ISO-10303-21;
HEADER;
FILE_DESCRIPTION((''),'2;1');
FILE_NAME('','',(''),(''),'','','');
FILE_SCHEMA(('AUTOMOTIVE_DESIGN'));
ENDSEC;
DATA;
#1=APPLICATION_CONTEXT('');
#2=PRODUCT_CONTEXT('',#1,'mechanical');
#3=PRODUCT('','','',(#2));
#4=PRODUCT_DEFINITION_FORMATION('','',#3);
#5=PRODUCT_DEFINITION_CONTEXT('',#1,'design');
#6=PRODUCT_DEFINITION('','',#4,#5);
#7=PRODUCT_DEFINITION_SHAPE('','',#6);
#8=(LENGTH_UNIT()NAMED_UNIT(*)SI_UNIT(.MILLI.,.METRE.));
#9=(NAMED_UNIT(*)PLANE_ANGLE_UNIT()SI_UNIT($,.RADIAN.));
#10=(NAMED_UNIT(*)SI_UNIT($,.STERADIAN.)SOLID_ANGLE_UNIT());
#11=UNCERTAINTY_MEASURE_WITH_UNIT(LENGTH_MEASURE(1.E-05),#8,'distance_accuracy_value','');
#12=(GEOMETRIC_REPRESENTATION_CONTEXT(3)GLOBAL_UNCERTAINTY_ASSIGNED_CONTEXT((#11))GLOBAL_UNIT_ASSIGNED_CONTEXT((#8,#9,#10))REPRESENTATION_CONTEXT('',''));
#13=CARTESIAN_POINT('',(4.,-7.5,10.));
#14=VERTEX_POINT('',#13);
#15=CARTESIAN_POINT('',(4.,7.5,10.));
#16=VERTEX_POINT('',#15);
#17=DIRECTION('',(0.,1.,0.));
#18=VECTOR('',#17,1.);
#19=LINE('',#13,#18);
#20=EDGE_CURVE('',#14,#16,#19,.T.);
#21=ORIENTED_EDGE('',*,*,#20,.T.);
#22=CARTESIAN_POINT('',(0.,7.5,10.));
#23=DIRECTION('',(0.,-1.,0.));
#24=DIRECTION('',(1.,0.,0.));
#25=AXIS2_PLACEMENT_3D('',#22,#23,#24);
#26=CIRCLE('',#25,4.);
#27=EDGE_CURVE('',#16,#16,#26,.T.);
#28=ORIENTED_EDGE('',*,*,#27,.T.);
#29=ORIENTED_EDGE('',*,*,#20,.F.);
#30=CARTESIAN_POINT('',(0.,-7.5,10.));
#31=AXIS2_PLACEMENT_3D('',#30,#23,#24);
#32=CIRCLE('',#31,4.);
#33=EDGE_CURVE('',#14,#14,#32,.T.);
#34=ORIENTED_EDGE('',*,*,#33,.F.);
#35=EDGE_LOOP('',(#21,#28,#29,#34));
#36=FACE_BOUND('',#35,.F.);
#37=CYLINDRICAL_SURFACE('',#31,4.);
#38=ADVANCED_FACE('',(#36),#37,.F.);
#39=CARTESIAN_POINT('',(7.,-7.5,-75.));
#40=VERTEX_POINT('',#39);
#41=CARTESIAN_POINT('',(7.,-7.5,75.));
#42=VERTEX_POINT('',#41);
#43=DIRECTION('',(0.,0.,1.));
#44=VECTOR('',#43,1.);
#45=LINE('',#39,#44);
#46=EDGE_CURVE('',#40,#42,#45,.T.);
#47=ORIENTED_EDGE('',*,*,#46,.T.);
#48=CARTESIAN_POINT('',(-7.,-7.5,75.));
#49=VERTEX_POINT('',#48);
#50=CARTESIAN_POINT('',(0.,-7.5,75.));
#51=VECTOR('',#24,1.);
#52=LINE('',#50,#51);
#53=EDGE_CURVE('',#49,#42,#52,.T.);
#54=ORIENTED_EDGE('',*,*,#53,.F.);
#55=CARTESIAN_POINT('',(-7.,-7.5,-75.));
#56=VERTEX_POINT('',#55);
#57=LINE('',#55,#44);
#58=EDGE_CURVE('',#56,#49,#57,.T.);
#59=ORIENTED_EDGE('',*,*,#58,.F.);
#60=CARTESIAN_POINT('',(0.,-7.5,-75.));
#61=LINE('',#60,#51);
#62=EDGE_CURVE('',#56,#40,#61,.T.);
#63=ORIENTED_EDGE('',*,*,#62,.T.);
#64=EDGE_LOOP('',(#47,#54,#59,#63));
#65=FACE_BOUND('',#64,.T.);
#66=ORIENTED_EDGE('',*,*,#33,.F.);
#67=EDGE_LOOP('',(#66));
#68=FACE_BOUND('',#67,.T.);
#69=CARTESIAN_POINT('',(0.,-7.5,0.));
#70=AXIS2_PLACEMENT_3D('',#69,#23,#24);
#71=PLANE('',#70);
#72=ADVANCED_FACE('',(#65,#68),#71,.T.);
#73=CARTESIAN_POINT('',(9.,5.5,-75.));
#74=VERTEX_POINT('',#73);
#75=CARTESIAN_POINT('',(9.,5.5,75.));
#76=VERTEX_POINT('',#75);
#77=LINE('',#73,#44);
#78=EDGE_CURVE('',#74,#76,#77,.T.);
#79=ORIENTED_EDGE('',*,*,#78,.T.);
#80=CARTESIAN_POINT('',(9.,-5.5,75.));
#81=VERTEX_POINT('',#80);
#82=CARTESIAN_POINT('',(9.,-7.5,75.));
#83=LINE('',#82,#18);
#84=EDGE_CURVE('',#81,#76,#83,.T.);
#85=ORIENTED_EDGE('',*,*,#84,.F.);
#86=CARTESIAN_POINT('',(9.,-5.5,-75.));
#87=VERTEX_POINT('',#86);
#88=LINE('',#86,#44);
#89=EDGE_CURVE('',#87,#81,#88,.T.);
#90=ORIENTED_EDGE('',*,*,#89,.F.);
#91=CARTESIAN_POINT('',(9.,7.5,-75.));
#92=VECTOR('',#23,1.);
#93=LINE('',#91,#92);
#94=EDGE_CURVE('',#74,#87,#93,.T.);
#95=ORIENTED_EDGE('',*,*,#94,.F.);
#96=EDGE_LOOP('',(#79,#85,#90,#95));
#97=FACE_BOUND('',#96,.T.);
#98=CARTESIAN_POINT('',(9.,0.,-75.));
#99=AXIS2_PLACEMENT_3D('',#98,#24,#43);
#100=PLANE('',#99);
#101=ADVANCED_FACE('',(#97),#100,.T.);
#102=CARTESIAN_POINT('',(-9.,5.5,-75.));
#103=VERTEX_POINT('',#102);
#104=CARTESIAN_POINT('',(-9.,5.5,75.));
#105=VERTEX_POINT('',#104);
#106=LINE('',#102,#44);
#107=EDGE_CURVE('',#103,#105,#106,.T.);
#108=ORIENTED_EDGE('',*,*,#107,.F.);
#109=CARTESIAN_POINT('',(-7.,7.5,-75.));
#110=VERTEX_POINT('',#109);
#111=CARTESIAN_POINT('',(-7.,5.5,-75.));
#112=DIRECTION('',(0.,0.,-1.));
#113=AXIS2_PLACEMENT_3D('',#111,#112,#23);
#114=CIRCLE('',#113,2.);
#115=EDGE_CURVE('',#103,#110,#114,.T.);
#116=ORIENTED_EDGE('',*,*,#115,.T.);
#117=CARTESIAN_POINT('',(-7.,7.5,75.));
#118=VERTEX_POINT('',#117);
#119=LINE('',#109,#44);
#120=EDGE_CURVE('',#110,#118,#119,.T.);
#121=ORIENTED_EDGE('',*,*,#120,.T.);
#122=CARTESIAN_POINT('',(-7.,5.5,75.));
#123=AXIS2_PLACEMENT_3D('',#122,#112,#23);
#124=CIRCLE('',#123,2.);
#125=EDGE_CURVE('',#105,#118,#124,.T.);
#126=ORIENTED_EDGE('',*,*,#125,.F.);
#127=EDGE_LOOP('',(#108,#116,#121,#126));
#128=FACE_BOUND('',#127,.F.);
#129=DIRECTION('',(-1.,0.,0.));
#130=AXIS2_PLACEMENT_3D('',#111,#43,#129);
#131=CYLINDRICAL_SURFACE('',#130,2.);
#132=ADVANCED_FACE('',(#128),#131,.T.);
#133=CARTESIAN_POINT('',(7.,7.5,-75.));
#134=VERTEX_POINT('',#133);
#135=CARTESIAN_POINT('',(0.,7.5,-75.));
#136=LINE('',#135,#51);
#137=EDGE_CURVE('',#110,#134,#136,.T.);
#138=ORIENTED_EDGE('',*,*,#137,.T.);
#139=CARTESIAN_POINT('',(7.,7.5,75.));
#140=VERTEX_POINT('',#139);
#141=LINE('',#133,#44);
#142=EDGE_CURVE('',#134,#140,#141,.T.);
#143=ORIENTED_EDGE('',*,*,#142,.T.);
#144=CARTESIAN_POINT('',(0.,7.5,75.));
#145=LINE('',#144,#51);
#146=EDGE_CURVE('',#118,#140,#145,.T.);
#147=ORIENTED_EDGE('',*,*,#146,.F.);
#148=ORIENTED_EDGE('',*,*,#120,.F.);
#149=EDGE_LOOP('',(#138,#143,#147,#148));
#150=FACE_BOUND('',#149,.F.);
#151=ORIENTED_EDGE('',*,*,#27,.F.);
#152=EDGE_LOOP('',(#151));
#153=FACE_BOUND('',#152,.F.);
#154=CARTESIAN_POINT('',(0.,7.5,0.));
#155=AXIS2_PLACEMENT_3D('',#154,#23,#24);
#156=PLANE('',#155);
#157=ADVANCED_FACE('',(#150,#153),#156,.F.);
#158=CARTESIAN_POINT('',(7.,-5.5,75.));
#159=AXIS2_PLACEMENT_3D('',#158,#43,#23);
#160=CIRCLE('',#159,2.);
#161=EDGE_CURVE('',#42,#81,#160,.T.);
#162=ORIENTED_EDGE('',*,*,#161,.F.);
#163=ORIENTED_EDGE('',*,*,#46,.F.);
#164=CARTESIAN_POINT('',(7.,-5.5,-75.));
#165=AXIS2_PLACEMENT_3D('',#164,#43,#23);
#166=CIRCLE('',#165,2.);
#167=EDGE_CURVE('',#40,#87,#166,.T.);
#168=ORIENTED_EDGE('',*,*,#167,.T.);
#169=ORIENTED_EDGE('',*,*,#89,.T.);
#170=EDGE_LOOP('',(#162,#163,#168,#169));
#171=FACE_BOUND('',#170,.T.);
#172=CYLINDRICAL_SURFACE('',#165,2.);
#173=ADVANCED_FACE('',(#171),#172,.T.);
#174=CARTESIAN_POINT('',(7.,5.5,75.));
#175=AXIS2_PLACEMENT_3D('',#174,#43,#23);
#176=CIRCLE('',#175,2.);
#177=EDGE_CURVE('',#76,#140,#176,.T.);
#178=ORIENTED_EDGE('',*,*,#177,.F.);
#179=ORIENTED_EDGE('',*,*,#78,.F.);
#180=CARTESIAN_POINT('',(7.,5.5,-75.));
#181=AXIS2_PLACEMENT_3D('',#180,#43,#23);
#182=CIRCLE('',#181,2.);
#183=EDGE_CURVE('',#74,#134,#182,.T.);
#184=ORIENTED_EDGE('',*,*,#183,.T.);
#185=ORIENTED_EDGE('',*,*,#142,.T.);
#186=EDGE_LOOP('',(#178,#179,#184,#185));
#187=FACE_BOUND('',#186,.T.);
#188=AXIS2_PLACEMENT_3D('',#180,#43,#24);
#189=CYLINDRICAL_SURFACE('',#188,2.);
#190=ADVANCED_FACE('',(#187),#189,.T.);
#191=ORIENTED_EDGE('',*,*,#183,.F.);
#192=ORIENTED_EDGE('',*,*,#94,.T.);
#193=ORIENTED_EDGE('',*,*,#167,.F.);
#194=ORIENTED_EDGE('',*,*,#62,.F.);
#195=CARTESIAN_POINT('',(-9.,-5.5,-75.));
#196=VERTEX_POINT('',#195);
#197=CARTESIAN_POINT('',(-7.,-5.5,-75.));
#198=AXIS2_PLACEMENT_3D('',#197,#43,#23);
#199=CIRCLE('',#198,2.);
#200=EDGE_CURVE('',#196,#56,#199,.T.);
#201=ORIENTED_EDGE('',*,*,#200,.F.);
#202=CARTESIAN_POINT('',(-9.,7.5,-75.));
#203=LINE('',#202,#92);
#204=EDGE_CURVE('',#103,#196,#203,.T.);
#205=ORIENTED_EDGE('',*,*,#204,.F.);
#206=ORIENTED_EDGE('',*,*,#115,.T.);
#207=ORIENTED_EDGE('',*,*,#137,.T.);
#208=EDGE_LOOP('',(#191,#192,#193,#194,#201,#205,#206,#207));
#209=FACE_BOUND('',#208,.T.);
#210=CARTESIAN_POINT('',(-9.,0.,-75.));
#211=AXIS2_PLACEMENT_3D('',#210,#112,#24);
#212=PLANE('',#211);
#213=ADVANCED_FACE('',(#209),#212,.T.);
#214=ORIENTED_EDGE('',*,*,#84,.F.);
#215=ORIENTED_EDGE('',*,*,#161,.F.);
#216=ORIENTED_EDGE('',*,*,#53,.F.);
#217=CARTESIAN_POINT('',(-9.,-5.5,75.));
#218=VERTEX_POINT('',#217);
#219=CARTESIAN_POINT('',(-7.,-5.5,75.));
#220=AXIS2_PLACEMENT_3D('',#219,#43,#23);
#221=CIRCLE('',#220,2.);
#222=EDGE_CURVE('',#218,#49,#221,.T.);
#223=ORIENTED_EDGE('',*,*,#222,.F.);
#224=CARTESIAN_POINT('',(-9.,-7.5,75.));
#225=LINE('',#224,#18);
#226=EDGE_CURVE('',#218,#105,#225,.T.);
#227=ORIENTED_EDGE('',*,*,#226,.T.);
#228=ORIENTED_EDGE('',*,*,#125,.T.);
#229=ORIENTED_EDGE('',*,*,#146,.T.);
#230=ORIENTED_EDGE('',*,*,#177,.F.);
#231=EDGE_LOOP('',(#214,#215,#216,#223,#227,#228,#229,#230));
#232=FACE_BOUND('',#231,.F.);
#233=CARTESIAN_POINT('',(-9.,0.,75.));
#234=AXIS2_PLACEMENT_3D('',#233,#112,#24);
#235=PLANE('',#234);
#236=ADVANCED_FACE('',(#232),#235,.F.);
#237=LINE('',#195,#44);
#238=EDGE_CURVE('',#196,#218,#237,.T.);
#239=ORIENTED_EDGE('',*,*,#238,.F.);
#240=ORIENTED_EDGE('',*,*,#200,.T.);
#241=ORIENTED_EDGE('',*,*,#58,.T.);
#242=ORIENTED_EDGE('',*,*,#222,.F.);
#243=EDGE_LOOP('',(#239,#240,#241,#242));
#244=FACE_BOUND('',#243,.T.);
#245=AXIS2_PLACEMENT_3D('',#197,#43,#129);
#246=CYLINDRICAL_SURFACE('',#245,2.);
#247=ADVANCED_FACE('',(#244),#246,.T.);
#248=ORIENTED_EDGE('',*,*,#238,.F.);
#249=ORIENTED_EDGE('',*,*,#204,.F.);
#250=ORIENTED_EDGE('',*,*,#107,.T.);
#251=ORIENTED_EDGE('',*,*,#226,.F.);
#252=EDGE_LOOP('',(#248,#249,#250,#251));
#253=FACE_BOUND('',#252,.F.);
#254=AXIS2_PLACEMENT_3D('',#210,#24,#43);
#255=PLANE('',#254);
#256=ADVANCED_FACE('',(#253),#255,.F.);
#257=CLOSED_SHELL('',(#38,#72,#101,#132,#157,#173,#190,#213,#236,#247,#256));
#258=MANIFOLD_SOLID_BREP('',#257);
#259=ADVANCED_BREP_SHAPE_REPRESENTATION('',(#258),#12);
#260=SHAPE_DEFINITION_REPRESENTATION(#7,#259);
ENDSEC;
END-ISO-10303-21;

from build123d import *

# Parameters (mm, degrees)
F0_W     = 18
F0_H     = 150
F1_DEPTH = 7.5
F2_R     = 2
F3_R     = 4
F4_DEPTH = 25.4


with BuildPart() as f1:
    # F0 (on Front) → F1 (new body, symmetric)
    with BuildSketch(Plane.XZ):
        Rectangle(F0_W, F0_H)
    extrude(amount=F1_DEPTH, both=True)

    # F2
    f2_edges = [f1.edges().sort_by_distance(p)[0] for p in [
        (-9, -7.5, 0),
        (9, -7.5, 0),
        (9, 7.5, 0),
        (-9, 7.5, 0),
    ]]
    fillet(f2_edges, radius=F2_R)

    # F3 (on face) → F4 (cut)
    with BuildSketch(Plane.XZ.offset(7.5)):
        with Locations((0, 10)):
            Circle(F3_R)
    extrude(amount=-F4_DEPTH, mode=Mode.SUBTRACT)


solid = f1.part
